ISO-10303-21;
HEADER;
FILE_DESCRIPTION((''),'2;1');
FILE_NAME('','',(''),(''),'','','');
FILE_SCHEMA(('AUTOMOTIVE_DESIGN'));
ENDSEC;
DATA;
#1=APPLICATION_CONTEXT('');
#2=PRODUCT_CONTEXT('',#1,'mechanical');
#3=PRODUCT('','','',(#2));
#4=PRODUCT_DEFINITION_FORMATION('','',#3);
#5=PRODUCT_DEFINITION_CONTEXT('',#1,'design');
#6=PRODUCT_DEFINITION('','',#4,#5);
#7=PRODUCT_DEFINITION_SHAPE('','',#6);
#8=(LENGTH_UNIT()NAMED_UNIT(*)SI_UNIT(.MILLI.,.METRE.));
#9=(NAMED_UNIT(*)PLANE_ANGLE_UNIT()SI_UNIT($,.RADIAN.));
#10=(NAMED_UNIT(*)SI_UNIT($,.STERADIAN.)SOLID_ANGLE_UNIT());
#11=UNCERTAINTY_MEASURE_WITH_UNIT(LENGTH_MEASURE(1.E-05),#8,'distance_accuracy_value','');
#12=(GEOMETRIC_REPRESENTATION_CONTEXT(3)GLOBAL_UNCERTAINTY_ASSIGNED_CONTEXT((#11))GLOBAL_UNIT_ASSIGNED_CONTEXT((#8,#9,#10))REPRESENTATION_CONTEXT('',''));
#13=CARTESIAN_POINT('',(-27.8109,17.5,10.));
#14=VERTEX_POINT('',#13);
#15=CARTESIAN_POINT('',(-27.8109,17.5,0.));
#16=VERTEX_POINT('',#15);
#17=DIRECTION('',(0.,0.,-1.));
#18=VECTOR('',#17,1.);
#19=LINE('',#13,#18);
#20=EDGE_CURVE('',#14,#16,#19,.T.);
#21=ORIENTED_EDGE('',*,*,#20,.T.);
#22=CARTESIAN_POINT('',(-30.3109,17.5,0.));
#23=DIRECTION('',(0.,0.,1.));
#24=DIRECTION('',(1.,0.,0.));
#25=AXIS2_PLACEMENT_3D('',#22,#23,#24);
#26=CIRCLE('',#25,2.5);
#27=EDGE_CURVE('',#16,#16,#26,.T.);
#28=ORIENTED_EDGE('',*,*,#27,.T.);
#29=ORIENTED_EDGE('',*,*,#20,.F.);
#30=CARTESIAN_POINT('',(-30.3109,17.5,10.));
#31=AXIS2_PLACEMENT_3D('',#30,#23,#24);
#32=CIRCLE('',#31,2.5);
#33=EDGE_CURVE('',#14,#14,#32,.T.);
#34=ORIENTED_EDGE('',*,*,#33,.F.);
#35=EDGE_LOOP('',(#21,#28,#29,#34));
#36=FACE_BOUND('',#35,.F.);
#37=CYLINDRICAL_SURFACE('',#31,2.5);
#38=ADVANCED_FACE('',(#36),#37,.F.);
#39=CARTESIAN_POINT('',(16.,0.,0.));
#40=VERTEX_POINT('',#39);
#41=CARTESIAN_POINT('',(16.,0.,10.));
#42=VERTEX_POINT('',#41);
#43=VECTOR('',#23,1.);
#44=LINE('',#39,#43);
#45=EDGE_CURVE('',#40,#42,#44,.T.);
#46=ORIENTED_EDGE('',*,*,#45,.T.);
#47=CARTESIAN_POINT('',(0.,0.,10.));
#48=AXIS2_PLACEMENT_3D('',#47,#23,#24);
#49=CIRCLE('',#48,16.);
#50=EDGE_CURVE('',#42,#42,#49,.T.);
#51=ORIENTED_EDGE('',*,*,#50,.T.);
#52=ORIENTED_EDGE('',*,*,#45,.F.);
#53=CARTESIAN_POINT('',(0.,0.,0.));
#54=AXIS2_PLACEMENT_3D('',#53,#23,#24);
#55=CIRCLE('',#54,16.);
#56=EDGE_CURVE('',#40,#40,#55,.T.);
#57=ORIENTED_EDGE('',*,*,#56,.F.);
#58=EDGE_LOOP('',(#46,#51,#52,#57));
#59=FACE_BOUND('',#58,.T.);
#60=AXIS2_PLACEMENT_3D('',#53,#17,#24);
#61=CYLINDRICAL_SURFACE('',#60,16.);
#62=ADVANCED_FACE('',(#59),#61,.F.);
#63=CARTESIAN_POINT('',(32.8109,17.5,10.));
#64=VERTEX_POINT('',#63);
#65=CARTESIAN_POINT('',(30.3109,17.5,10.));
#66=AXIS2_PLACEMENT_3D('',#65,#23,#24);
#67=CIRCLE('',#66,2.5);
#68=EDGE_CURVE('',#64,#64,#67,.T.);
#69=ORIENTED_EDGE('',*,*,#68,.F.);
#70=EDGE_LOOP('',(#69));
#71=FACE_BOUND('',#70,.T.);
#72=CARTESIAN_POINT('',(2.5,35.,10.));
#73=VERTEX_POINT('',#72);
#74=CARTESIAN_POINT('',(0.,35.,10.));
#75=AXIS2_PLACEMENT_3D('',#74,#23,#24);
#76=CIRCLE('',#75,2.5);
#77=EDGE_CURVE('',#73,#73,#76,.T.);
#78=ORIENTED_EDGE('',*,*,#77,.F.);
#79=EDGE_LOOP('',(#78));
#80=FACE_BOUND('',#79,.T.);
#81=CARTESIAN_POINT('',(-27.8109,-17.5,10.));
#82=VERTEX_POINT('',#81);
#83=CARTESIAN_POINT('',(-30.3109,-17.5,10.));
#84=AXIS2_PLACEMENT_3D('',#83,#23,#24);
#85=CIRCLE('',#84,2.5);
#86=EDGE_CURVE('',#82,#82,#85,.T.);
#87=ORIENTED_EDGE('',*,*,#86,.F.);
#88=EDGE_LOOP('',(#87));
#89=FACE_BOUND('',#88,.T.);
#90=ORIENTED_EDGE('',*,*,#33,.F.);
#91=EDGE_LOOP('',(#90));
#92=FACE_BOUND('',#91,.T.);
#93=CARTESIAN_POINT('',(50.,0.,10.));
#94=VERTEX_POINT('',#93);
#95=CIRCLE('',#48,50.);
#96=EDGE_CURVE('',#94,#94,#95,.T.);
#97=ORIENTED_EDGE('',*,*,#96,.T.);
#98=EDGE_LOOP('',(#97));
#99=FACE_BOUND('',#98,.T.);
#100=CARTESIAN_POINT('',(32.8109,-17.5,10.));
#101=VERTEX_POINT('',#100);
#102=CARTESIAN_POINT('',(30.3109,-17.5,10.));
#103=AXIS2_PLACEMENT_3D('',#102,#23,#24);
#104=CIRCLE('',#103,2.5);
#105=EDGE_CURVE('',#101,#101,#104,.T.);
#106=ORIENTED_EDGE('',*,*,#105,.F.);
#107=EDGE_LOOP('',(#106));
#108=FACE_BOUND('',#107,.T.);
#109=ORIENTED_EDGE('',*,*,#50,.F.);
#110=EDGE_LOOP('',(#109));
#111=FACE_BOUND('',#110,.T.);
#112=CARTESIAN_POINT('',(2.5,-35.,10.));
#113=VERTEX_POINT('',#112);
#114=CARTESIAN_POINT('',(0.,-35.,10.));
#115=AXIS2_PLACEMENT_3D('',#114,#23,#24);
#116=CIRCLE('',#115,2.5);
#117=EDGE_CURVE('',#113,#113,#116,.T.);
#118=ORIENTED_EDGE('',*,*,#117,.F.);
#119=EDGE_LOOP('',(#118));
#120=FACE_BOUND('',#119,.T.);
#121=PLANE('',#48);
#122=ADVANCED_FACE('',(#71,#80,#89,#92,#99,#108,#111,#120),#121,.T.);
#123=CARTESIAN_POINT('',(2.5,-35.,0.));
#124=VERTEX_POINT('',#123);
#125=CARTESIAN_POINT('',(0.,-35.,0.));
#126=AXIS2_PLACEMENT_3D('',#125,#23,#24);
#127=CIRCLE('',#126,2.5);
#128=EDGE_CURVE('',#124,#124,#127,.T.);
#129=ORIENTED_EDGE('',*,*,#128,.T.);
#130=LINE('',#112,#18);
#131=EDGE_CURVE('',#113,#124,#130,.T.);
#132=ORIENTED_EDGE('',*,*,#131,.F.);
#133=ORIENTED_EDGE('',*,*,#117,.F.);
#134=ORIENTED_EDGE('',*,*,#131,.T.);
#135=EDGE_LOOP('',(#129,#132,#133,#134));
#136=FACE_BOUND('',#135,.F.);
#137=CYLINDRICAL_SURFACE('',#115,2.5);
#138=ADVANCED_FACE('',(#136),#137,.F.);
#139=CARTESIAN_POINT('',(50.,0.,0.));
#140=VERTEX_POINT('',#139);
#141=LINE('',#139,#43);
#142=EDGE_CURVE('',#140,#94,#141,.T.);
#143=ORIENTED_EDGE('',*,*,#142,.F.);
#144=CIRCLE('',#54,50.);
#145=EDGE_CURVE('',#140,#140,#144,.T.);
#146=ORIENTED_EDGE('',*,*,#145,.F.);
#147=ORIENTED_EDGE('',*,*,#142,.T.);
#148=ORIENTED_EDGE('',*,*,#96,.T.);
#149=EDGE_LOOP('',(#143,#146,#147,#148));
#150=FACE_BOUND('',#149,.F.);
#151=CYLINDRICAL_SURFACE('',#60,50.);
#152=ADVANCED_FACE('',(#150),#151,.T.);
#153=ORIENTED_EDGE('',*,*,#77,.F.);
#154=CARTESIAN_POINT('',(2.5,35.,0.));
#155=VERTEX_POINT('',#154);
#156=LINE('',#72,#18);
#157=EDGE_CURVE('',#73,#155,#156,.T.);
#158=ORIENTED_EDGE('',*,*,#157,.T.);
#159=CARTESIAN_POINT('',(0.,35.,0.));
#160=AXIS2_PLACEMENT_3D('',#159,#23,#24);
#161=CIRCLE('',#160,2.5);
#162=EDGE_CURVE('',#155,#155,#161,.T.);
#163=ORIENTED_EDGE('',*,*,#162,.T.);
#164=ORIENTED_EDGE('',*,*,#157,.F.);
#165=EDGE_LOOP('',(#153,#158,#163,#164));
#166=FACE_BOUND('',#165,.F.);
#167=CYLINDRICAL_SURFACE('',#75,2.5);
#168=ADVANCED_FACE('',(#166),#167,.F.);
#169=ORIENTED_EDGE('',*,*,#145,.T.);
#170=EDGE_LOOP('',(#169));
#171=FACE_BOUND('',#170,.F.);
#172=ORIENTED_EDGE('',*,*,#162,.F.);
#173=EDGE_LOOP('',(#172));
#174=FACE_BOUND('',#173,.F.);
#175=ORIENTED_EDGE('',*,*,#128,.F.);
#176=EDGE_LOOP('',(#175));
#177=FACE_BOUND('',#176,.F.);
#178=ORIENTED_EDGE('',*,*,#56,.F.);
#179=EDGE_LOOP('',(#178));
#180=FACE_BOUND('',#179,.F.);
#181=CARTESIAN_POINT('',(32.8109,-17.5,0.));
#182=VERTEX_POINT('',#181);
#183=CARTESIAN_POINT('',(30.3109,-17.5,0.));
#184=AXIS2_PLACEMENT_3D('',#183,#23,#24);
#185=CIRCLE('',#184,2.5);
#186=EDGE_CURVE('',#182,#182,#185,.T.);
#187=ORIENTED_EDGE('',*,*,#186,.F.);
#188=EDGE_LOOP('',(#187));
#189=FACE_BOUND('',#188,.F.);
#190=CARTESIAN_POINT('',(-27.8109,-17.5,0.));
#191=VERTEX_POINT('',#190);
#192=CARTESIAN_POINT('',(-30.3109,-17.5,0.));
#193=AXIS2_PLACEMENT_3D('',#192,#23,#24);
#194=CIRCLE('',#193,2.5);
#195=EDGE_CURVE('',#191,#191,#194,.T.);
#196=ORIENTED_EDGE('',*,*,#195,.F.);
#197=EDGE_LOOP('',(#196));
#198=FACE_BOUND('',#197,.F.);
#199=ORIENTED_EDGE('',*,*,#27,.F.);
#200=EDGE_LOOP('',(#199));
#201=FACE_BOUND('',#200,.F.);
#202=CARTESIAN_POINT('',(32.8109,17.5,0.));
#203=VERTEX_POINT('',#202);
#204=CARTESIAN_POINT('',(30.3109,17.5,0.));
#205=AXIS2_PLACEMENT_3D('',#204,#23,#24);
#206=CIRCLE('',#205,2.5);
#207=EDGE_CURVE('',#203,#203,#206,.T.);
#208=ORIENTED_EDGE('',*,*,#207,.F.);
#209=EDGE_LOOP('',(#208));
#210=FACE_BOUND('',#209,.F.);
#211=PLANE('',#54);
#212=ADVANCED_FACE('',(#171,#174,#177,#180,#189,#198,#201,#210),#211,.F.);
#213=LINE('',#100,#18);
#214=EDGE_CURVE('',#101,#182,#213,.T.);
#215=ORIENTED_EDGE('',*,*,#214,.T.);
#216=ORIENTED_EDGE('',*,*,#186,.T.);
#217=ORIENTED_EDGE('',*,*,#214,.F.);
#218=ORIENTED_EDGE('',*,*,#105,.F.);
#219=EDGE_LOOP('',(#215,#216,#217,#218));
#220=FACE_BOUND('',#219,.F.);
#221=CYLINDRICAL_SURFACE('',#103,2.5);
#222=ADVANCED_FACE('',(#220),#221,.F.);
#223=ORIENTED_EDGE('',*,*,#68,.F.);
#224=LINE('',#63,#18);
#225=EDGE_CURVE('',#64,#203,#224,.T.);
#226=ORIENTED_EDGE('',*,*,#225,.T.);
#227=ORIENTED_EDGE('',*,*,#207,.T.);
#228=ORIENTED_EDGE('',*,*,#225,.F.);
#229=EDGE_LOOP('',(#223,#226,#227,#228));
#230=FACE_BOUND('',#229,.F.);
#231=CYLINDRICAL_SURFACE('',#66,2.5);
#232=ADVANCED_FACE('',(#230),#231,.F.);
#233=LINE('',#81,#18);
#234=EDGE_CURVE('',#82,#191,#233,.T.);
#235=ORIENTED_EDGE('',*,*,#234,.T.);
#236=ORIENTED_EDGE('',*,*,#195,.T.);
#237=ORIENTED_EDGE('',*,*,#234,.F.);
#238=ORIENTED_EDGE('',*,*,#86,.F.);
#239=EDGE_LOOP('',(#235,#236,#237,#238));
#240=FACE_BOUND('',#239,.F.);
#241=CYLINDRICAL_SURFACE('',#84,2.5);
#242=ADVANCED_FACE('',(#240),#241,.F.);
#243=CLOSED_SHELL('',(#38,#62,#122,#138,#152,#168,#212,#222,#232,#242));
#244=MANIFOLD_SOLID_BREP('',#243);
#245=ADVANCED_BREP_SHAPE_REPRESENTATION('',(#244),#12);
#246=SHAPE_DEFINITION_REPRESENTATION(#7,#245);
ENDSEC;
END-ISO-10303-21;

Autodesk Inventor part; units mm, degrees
ref_plane "YZ Plane" through (0, 0, 0) normal (1, 0, 0) x (0, 1, 0)
ref_plane "XZ Plane" through (0, 0, 0) normal (0, 1, 0) x (-1, 0, 0)
ref_plane "XY Plane" through (0, 0, 0) normal (0, 0, 1) x (1, 0, 0)
sketch "Sketch1" plane through (0, 0, 0) normal (0, 0, 1) x (1, 0, 0)
  circle A0 centre (0, 0) radius 50
  circle A1 centre (0, 0) radius 16
  dimension "d0" = 100
  dimension "d1" = 32
extrude "Extrusion1" add sketch "Sketch1" along normal blind 10
sketch "Sketch2" plane through (0, 0, 10) normal (0, 0, 1) x (1, 0, 0)
  circle A0 centre (0, 35) radius 2.5
  circle A1 centre (-30.3109, 17.5) radius 2.5
  circle A2 centre (-30.3109, -17.5) radius 2.5
  circle A3 centre (0, -35) radius 2.5
  circle A4 centre (30.3109, -17.5) radius 2.5
  circle A5 centre (30.3109, 17.5) radius 2.5
  point P0 (0, 0)
  dimension "d4" = 5
  dimension "d5" = 35
  dimension "d8" = 360
extrude "Extrusion2" cut sketch "Sketch2" against normal through all
properties part number "SJ006" material "ABS Plastic"
